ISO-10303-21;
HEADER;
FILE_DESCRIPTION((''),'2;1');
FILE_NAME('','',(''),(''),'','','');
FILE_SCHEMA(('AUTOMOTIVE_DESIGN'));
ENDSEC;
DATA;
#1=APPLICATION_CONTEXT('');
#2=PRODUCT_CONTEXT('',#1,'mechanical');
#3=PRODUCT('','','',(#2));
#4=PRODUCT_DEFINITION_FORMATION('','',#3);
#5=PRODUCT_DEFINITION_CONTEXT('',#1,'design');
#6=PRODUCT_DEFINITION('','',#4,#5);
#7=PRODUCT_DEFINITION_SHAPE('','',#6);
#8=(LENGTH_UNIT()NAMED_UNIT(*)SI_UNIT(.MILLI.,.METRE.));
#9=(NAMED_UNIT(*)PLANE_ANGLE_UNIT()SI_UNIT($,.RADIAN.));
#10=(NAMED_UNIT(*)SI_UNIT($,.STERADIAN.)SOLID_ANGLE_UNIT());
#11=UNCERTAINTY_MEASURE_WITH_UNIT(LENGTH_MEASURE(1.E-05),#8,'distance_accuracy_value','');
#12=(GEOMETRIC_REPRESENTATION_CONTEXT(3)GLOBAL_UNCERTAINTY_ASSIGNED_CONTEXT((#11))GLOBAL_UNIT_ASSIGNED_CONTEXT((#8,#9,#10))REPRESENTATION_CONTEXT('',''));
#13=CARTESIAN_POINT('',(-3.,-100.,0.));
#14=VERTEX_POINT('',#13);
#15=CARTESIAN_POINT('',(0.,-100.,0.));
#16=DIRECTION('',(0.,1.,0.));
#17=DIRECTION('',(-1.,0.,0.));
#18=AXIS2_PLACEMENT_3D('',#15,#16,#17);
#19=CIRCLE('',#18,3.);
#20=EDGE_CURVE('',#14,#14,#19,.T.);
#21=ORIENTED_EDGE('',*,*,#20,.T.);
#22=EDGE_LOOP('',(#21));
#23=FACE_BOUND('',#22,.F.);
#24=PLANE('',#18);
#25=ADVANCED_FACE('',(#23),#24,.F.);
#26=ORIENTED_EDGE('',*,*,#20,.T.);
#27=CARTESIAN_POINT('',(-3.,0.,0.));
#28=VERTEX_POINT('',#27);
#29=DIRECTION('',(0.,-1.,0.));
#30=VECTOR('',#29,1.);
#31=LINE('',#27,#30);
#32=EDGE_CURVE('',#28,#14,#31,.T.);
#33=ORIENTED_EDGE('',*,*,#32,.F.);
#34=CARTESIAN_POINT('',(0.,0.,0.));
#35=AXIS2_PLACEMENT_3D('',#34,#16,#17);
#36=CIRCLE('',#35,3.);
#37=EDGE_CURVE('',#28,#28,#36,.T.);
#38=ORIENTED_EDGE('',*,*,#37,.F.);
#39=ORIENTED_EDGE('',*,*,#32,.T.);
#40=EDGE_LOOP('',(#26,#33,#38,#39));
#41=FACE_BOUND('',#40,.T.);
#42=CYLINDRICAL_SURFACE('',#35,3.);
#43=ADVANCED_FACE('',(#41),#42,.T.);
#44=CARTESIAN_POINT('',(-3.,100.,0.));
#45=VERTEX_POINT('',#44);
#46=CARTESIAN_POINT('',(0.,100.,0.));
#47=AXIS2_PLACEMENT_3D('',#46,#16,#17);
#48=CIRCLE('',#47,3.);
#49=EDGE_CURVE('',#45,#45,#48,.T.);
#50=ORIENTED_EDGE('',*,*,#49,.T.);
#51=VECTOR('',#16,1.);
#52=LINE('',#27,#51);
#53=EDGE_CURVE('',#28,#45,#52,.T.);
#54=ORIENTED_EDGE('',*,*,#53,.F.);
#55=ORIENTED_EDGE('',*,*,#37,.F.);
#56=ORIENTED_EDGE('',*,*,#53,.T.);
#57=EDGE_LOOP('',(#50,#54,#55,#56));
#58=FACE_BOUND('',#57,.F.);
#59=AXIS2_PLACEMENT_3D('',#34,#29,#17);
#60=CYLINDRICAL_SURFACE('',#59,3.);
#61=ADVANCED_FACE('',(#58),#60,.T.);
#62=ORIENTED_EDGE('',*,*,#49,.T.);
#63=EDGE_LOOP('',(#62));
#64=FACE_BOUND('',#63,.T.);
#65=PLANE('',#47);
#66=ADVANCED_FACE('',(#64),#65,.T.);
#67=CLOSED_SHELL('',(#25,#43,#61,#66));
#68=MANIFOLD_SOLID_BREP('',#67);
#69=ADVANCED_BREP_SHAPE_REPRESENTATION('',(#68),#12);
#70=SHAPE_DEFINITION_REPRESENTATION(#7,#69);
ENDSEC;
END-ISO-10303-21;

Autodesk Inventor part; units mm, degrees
sketch "Эскиз1" plane through (0, 0, 0) normal (0, 1, 0) x (-1, 0, 0)
  circle A0 centre (0, 0) radius 3
  dimension "d0" = 6
extrude "Выдавливание1" add sketch "Эскиз1" along normal mid plane 200
properties part number "шпилька 6мм"
